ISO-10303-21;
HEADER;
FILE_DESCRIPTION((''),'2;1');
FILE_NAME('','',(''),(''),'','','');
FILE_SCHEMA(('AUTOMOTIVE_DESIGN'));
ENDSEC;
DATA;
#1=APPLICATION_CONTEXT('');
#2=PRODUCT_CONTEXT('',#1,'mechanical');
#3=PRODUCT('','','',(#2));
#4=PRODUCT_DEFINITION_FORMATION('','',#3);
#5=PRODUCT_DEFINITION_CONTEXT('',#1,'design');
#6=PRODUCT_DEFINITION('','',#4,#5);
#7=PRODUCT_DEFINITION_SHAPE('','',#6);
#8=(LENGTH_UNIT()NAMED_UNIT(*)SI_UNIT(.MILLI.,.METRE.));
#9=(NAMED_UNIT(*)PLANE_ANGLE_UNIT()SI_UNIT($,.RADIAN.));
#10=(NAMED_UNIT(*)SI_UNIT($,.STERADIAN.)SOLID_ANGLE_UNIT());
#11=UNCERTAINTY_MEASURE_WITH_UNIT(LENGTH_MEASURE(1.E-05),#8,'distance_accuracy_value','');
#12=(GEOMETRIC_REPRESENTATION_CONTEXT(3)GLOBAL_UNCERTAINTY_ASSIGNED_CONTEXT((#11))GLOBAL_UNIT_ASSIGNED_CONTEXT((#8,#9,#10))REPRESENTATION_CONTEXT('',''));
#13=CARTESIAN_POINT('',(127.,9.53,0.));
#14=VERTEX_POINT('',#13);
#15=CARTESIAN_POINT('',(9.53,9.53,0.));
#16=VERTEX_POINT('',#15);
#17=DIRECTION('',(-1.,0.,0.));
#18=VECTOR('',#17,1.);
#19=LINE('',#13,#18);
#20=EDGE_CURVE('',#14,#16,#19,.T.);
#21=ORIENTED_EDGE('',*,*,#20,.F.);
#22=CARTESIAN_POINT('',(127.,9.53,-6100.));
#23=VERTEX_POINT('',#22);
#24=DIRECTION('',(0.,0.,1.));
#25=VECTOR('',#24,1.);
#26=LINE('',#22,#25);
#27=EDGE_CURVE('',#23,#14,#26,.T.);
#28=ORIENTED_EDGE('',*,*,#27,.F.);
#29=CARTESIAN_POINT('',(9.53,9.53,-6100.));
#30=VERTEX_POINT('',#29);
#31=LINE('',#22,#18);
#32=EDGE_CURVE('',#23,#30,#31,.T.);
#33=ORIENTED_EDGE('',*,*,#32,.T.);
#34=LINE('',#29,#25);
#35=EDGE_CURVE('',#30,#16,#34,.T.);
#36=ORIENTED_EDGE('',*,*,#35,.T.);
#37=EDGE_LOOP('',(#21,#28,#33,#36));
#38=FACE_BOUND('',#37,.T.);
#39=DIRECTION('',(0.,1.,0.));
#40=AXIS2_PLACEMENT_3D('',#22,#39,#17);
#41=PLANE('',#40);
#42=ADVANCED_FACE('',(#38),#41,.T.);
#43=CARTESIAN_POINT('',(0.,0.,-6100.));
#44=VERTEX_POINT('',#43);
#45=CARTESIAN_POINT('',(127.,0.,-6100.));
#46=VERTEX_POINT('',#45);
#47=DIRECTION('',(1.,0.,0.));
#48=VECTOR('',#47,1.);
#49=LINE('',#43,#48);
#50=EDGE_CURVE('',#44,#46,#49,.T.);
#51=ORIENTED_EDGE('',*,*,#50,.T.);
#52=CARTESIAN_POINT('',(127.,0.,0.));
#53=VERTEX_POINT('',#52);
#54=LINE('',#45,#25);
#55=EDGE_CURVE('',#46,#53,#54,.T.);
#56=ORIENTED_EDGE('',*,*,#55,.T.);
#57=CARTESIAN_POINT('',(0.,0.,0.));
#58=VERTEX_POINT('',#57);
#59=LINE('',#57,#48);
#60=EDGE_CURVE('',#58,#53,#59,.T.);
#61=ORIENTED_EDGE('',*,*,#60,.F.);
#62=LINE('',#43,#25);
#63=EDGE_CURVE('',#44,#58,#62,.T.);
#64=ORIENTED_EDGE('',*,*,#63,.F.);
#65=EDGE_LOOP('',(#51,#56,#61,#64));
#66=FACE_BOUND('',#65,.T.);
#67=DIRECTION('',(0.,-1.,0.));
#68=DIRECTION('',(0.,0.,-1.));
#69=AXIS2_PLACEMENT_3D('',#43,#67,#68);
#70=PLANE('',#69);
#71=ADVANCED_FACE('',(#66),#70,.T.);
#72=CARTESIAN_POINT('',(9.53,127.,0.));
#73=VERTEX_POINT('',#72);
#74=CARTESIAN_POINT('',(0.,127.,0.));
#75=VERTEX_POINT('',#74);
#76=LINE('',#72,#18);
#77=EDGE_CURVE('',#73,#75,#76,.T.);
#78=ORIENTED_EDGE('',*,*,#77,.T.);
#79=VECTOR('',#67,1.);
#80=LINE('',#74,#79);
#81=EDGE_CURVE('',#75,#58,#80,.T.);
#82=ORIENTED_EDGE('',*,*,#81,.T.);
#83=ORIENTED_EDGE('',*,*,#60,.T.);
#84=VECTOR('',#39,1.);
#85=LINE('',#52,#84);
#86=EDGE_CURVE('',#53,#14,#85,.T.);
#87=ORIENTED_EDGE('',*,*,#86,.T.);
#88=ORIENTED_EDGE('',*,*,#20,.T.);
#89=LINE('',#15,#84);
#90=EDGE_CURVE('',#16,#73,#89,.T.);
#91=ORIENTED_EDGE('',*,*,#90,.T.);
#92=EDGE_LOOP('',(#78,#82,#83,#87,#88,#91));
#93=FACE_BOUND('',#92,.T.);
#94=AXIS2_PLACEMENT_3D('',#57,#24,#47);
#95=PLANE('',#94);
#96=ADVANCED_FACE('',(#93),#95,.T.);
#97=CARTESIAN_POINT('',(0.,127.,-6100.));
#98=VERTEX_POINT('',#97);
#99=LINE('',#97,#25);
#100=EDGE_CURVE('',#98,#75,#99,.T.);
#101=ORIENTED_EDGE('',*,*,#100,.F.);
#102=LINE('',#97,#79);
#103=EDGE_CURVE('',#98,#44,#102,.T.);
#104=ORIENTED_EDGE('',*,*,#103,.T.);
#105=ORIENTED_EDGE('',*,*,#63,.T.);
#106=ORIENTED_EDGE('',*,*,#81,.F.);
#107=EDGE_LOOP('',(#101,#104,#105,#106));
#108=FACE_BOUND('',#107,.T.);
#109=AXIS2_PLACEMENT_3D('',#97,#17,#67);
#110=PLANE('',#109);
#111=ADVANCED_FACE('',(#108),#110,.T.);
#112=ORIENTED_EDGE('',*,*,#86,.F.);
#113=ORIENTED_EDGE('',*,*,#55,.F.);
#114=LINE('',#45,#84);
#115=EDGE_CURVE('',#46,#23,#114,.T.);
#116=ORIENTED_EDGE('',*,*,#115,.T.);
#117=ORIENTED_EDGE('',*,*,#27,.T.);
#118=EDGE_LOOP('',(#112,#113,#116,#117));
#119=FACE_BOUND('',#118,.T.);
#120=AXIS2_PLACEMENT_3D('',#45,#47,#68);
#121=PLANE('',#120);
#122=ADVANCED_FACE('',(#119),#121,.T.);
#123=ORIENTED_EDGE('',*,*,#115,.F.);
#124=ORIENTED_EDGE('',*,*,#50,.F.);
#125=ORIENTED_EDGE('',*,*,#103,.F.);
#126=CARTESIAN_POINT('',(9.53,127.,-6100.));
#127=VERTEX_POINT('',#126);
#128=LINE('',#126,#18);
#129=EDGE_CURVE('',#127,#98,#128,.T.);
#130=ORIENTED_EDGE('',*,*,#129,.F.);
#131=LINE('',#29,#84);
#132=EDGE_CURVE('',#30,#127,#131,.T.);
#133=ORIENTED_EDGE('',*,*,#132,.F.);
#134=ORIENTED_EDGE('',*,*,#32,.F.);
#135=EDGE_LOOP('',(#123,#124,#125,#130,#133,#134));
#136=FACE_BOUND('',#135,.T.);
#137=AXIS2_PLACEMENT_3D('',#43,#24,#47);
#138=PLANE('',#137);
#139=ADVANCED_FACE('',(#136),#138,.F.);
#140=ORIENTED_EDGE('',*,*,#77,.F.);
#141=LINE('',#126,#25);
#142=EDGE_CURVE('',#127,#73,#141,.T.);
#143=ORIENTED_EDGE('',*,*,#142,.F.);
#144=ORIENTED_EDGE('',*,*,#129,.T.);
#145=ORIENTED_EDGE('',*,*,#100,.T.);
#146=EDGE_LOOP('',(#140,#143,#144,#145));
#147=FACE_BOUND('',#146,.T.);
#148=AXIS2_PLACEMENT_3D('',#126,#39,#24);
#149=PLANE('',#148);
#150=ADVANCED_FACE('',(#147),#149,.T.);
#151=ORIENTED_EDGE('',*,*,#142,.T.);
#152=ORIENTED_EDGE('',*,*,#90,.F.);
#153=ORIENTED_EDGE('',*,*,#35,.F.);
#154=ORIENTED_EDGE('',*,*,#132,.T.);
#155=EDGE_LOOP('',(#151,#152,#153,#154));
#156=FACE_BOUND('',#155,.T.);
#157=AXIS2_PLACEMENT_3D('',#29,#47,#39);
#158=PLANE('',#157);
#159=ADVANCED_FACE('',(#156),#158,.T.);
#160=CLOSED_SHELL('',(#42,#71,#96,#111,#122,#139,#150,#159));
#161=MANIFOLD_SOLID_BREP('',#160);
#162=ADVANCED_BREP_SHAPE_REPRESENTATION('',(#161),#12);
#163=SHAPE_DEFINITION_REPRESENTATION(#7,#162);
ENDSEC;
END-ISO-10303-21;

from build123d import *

# Parameters (mm, degrees)
SALIENTE_EXTRUIR1_DEPTH = 6100


with BuildPart() as part:
    # Croquis1 → Saliente-Extruir1 (new body)
    with BuildSketch(Plane.XY):
        Polygon((0, 127), (0, 0), (127, 0), (127, 9.53), (9.53, 9.53), (9.53, 127), align=None)
    extrude(amount=-SALIENTE_EXTRUIR1_DEPTH)


solid = part.part
